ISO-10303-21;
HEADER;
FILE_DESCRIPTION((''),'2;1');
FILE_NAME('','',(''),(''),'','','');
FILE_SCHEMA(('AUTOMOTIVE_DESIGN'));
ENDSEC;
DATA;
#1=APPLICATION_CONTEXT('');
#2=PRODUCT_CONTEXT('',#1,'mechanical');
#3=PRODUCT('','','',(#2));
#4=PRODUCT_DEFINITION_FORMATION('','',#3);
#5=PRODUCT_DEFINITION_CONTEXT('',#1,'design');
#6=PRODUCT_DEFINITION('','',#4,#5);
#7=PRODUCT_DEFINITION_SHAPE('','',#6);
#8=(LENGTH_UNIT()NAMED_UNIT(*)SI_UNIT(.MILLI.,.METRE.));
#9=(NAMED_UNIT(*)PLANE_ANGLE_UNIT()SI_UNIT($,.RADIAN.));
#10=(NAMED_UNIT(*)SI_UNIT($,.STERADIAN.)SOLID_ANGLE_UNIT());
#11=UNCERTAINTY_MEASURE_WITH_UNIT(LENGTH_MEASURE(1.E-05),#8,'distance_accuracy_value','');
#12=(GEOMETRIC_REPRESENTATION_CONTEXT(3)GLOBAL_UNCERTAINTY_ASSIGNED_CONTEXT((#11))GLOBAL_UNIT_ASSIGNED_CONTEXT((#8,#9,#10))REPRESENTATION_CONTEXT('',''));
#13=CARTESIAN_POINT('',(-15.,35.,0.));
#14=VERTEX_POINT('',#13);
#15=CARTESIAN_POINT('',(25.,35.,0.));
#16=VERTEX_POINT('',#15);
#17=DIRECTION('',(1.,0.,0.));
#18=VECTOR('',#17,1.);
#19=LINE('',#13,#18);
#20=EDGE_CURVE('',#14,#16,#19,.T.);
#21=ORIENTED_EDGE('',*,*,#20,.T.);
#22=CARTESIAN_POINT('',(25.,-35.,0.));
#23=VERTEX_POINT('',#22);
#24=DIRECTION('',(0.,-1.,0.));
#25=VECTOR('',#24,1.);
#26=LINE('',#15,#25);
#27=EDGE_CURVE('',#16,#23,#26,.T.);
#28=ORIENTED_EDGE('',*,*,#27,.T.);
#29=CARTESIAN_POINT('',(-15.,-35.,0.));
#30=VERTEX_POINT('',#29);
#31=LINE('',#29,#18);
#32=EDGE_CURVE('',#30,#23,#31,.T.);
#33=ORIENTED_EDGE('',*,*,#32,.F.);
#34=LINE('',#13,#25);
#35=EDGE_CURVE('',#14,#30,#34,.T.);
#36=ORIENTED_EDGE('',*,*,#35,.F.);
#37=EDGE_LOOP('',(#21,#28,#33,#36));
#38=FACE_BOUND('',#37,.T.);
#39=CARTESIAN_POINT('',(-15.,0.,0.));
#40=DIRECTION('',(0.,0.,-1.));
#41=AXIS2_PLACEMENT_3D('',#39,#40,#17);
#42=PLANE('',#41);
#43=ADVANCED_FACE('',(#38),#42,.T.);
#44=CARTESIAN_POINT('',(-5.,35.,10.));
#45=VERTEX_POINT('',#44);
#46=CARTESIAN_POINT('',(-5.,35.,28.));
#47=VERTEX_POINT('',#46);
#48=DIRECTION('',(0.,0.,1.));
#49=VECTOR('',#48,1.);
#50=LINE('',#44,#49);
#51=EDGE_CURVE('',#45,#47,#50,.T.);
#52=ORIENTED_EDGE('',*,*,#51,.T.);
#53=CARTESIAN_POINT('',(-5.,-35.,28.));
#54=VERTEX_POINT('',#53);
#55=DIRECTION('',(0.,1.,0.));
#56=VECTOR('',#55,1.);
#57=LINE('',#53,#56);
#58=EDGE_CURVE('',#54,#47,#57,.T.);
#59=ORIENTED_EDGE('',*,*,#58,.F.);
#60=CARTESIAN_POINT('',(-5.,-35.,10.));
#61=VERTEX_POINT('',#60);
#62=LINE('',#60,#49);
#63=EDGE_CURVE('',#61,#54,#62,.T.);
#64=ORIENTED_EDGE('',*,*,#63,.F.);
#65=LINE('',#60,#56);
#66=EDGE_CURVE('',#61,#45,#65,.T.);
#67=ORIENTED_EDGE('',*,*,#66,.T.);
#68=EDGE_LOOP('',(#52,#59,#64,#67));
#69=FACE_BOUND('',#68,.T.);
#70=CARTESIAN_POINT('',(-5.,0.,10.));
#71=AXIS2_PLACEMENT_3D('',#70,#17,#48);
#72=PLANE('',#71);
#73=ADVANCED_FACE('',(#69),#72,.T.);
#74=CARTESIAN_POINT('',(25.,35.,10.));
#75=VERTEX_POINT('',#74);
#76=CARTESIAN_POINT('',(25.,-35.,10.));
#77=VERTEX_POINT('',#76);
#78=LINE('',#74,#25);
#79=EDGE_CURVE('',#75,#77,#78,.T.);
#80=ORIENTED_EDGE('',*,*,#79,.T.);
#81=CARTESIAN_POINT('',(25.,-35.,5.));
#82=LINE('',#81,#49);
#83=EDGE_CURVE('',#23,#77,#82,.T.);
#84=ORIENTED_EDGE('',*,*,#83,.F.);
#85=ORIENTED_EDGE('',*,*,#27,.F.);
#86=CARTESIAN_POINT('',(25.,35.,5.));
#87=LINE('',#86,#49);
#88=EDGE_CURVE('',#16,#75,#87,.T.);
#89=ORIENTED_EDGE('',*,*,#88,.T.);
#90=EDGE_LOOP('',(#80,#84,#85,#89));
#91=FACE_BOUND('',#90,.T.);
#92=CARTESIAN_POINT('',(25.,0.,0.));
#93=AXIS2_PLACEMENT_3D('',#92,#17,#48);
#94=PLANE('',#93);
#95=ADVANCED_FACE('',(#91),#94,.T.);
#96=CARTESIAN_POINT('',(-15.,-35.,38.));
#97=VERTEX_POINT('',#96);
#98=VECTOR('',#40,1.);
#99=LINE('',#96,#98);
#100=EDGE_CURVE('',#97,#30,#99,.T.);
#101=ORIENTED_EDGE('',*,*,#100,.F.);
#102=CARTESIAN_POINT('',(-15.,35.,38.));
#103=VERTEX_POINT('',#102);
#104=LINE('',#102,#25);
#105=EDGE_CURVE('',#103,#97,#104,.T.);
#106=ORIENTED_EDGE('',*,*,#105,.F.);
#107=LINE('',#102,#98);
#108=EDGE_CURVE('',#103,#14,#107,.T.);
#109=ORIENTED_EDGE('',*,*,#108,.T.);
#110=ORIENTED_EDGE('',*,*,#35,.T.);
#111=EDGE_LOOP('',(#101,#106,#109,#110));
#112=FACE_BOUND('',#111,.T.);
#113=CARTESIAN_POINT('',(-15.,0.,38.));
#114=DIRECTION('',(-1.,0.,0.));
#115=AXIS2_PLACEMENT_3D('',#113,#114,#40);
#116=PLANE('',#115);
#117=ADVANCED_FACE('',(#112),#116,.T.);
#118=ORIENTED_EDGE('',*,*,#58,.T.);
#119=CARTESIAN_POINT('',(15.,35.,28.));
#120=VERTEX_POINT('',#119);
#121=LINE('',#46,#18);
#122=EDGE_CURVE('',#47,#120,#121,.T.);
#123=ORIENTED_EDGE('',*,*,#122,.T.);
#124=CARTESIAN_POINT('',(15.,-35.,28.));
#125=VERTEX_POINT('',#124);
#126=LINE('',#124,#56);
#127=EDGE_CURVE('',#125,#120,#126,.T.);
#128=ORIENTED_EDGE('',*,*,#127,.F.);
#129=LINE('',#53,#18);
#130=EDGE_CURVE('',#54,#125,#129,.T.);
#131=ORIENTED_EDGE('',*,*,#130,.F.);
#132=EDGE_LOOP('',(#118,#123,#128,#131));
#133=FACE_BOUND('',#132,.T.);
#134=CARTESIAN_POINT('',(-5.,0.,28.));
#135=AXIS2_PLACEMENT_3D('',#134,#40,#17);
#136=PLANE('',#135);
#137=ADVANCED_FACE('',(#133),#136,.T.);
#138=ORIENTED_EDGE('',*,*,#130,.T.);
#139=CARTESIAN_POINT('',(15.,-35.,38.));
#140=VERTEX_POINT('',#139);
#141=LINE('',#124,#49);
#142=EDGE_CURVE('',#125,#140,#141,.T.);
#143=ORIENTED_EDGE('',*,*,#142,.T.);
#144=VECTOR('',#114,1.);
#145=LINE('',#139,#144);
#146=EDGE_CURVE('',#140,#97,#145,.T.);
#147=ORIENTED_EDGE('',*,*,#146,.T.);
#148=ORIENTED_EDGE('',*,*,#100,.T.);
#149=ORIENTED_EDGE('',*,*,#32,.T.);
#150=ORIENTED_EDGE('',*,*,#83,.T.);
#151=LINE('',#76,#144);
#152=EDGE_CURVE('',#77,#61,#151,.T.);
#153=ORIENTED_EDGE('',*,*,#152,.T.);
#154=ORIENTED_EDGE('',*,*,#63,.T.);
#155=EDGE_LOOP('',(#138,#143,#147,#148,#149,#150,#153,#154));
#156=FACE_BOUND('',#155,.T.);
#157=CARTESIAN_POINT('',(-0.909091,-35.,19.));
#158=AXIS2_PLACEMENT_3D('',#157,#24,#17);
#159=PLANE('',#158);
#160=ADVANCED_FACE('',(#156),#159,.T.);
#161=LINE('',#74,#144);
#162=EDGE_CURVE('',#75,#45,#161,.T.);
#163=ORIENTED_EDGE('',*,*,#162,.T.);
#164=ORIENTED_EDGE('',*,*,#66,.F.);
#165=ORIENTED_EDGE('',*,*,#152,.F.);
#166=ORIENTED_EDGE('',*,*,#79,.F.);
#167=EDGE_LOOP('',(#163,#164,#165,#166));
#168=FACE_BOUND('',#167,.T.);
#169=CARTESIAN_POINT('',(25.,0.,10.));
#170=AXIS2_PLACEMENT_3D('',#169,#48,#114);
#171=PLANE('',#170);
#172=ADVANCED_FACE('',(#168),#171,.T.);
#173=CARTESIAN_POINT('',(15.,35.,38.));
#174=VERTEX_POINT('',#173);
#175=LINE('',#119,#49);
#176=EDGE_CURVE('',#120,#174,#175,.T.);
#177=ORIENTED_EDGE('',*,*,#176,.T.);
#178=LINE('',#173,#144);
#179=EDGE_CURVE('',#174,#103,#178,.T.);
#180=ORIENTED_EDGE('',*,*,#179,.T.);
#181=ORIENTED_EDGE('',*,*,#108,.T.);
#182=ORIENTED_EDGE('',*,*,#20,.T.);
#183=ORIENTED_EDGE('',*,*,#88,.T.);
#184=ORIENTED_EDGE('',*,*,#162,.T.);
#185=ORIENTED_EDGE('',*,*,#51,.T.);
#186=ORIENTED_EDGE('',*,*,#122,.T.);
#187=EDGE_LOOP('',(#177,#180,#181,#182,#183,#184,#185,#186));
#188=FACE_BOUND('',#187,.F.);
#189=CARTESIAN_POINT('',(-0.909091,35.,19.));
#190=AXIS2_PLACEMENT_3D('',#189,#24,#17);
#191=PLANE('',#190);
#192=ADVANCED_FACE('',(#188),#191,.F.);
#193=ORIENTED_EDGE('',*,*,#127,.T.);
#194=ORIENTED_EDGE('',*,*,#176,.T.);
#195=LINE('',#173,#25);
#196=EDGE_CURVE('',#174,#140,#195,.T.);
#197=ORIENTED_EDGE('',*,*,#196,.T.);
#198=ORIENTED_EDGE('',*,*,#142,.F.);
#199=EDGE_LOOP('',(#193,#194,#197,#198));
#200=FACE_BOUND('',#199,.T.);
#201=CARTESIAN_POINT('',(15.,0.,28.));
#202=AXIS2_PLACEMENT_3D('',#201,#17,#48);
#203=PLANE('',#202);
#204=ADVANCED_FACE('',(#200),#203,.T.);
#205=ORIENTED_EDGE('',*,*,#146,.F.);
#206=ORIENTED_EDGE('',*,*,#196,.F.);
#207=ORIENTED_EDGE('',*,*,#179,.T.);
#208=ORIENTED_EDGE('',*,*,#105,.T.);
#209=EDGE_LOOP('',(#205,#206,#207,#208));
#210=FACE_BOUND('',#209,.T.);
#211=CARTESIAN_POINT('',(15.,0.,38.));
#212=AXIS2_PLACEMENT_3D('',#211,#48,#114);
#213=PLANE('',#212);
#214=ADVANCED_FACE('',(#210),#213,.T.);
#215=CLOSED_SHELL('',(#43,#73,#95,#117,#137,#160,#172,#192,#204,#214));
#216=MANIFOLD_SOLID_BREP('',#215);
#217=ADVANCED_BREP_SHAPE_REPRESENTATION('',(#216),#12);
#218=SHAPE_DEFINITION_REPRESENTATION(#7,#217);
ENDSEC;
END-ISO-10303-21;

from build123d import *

# Parameters (mm, degrees)
F0_W     = 10
F0_H     = 10
F1_DEPTH = 35


with BuildPart() as f1:
    # F0 (on Front) → F1 (new body, symmetric)
    with BuildSketch(Plane.XZ):
        Polygon((15, 28), (15, 38), (-15, 38), (-15, 0), (15, 0), (15, 10), (-5, 10), (-5, 28), align=None)
        with Locations((20, 5)):
            Rectangle(F0_W, F0_H)
    extrude(amount=F1_DEPTH, both=True)


solid = f1.part
